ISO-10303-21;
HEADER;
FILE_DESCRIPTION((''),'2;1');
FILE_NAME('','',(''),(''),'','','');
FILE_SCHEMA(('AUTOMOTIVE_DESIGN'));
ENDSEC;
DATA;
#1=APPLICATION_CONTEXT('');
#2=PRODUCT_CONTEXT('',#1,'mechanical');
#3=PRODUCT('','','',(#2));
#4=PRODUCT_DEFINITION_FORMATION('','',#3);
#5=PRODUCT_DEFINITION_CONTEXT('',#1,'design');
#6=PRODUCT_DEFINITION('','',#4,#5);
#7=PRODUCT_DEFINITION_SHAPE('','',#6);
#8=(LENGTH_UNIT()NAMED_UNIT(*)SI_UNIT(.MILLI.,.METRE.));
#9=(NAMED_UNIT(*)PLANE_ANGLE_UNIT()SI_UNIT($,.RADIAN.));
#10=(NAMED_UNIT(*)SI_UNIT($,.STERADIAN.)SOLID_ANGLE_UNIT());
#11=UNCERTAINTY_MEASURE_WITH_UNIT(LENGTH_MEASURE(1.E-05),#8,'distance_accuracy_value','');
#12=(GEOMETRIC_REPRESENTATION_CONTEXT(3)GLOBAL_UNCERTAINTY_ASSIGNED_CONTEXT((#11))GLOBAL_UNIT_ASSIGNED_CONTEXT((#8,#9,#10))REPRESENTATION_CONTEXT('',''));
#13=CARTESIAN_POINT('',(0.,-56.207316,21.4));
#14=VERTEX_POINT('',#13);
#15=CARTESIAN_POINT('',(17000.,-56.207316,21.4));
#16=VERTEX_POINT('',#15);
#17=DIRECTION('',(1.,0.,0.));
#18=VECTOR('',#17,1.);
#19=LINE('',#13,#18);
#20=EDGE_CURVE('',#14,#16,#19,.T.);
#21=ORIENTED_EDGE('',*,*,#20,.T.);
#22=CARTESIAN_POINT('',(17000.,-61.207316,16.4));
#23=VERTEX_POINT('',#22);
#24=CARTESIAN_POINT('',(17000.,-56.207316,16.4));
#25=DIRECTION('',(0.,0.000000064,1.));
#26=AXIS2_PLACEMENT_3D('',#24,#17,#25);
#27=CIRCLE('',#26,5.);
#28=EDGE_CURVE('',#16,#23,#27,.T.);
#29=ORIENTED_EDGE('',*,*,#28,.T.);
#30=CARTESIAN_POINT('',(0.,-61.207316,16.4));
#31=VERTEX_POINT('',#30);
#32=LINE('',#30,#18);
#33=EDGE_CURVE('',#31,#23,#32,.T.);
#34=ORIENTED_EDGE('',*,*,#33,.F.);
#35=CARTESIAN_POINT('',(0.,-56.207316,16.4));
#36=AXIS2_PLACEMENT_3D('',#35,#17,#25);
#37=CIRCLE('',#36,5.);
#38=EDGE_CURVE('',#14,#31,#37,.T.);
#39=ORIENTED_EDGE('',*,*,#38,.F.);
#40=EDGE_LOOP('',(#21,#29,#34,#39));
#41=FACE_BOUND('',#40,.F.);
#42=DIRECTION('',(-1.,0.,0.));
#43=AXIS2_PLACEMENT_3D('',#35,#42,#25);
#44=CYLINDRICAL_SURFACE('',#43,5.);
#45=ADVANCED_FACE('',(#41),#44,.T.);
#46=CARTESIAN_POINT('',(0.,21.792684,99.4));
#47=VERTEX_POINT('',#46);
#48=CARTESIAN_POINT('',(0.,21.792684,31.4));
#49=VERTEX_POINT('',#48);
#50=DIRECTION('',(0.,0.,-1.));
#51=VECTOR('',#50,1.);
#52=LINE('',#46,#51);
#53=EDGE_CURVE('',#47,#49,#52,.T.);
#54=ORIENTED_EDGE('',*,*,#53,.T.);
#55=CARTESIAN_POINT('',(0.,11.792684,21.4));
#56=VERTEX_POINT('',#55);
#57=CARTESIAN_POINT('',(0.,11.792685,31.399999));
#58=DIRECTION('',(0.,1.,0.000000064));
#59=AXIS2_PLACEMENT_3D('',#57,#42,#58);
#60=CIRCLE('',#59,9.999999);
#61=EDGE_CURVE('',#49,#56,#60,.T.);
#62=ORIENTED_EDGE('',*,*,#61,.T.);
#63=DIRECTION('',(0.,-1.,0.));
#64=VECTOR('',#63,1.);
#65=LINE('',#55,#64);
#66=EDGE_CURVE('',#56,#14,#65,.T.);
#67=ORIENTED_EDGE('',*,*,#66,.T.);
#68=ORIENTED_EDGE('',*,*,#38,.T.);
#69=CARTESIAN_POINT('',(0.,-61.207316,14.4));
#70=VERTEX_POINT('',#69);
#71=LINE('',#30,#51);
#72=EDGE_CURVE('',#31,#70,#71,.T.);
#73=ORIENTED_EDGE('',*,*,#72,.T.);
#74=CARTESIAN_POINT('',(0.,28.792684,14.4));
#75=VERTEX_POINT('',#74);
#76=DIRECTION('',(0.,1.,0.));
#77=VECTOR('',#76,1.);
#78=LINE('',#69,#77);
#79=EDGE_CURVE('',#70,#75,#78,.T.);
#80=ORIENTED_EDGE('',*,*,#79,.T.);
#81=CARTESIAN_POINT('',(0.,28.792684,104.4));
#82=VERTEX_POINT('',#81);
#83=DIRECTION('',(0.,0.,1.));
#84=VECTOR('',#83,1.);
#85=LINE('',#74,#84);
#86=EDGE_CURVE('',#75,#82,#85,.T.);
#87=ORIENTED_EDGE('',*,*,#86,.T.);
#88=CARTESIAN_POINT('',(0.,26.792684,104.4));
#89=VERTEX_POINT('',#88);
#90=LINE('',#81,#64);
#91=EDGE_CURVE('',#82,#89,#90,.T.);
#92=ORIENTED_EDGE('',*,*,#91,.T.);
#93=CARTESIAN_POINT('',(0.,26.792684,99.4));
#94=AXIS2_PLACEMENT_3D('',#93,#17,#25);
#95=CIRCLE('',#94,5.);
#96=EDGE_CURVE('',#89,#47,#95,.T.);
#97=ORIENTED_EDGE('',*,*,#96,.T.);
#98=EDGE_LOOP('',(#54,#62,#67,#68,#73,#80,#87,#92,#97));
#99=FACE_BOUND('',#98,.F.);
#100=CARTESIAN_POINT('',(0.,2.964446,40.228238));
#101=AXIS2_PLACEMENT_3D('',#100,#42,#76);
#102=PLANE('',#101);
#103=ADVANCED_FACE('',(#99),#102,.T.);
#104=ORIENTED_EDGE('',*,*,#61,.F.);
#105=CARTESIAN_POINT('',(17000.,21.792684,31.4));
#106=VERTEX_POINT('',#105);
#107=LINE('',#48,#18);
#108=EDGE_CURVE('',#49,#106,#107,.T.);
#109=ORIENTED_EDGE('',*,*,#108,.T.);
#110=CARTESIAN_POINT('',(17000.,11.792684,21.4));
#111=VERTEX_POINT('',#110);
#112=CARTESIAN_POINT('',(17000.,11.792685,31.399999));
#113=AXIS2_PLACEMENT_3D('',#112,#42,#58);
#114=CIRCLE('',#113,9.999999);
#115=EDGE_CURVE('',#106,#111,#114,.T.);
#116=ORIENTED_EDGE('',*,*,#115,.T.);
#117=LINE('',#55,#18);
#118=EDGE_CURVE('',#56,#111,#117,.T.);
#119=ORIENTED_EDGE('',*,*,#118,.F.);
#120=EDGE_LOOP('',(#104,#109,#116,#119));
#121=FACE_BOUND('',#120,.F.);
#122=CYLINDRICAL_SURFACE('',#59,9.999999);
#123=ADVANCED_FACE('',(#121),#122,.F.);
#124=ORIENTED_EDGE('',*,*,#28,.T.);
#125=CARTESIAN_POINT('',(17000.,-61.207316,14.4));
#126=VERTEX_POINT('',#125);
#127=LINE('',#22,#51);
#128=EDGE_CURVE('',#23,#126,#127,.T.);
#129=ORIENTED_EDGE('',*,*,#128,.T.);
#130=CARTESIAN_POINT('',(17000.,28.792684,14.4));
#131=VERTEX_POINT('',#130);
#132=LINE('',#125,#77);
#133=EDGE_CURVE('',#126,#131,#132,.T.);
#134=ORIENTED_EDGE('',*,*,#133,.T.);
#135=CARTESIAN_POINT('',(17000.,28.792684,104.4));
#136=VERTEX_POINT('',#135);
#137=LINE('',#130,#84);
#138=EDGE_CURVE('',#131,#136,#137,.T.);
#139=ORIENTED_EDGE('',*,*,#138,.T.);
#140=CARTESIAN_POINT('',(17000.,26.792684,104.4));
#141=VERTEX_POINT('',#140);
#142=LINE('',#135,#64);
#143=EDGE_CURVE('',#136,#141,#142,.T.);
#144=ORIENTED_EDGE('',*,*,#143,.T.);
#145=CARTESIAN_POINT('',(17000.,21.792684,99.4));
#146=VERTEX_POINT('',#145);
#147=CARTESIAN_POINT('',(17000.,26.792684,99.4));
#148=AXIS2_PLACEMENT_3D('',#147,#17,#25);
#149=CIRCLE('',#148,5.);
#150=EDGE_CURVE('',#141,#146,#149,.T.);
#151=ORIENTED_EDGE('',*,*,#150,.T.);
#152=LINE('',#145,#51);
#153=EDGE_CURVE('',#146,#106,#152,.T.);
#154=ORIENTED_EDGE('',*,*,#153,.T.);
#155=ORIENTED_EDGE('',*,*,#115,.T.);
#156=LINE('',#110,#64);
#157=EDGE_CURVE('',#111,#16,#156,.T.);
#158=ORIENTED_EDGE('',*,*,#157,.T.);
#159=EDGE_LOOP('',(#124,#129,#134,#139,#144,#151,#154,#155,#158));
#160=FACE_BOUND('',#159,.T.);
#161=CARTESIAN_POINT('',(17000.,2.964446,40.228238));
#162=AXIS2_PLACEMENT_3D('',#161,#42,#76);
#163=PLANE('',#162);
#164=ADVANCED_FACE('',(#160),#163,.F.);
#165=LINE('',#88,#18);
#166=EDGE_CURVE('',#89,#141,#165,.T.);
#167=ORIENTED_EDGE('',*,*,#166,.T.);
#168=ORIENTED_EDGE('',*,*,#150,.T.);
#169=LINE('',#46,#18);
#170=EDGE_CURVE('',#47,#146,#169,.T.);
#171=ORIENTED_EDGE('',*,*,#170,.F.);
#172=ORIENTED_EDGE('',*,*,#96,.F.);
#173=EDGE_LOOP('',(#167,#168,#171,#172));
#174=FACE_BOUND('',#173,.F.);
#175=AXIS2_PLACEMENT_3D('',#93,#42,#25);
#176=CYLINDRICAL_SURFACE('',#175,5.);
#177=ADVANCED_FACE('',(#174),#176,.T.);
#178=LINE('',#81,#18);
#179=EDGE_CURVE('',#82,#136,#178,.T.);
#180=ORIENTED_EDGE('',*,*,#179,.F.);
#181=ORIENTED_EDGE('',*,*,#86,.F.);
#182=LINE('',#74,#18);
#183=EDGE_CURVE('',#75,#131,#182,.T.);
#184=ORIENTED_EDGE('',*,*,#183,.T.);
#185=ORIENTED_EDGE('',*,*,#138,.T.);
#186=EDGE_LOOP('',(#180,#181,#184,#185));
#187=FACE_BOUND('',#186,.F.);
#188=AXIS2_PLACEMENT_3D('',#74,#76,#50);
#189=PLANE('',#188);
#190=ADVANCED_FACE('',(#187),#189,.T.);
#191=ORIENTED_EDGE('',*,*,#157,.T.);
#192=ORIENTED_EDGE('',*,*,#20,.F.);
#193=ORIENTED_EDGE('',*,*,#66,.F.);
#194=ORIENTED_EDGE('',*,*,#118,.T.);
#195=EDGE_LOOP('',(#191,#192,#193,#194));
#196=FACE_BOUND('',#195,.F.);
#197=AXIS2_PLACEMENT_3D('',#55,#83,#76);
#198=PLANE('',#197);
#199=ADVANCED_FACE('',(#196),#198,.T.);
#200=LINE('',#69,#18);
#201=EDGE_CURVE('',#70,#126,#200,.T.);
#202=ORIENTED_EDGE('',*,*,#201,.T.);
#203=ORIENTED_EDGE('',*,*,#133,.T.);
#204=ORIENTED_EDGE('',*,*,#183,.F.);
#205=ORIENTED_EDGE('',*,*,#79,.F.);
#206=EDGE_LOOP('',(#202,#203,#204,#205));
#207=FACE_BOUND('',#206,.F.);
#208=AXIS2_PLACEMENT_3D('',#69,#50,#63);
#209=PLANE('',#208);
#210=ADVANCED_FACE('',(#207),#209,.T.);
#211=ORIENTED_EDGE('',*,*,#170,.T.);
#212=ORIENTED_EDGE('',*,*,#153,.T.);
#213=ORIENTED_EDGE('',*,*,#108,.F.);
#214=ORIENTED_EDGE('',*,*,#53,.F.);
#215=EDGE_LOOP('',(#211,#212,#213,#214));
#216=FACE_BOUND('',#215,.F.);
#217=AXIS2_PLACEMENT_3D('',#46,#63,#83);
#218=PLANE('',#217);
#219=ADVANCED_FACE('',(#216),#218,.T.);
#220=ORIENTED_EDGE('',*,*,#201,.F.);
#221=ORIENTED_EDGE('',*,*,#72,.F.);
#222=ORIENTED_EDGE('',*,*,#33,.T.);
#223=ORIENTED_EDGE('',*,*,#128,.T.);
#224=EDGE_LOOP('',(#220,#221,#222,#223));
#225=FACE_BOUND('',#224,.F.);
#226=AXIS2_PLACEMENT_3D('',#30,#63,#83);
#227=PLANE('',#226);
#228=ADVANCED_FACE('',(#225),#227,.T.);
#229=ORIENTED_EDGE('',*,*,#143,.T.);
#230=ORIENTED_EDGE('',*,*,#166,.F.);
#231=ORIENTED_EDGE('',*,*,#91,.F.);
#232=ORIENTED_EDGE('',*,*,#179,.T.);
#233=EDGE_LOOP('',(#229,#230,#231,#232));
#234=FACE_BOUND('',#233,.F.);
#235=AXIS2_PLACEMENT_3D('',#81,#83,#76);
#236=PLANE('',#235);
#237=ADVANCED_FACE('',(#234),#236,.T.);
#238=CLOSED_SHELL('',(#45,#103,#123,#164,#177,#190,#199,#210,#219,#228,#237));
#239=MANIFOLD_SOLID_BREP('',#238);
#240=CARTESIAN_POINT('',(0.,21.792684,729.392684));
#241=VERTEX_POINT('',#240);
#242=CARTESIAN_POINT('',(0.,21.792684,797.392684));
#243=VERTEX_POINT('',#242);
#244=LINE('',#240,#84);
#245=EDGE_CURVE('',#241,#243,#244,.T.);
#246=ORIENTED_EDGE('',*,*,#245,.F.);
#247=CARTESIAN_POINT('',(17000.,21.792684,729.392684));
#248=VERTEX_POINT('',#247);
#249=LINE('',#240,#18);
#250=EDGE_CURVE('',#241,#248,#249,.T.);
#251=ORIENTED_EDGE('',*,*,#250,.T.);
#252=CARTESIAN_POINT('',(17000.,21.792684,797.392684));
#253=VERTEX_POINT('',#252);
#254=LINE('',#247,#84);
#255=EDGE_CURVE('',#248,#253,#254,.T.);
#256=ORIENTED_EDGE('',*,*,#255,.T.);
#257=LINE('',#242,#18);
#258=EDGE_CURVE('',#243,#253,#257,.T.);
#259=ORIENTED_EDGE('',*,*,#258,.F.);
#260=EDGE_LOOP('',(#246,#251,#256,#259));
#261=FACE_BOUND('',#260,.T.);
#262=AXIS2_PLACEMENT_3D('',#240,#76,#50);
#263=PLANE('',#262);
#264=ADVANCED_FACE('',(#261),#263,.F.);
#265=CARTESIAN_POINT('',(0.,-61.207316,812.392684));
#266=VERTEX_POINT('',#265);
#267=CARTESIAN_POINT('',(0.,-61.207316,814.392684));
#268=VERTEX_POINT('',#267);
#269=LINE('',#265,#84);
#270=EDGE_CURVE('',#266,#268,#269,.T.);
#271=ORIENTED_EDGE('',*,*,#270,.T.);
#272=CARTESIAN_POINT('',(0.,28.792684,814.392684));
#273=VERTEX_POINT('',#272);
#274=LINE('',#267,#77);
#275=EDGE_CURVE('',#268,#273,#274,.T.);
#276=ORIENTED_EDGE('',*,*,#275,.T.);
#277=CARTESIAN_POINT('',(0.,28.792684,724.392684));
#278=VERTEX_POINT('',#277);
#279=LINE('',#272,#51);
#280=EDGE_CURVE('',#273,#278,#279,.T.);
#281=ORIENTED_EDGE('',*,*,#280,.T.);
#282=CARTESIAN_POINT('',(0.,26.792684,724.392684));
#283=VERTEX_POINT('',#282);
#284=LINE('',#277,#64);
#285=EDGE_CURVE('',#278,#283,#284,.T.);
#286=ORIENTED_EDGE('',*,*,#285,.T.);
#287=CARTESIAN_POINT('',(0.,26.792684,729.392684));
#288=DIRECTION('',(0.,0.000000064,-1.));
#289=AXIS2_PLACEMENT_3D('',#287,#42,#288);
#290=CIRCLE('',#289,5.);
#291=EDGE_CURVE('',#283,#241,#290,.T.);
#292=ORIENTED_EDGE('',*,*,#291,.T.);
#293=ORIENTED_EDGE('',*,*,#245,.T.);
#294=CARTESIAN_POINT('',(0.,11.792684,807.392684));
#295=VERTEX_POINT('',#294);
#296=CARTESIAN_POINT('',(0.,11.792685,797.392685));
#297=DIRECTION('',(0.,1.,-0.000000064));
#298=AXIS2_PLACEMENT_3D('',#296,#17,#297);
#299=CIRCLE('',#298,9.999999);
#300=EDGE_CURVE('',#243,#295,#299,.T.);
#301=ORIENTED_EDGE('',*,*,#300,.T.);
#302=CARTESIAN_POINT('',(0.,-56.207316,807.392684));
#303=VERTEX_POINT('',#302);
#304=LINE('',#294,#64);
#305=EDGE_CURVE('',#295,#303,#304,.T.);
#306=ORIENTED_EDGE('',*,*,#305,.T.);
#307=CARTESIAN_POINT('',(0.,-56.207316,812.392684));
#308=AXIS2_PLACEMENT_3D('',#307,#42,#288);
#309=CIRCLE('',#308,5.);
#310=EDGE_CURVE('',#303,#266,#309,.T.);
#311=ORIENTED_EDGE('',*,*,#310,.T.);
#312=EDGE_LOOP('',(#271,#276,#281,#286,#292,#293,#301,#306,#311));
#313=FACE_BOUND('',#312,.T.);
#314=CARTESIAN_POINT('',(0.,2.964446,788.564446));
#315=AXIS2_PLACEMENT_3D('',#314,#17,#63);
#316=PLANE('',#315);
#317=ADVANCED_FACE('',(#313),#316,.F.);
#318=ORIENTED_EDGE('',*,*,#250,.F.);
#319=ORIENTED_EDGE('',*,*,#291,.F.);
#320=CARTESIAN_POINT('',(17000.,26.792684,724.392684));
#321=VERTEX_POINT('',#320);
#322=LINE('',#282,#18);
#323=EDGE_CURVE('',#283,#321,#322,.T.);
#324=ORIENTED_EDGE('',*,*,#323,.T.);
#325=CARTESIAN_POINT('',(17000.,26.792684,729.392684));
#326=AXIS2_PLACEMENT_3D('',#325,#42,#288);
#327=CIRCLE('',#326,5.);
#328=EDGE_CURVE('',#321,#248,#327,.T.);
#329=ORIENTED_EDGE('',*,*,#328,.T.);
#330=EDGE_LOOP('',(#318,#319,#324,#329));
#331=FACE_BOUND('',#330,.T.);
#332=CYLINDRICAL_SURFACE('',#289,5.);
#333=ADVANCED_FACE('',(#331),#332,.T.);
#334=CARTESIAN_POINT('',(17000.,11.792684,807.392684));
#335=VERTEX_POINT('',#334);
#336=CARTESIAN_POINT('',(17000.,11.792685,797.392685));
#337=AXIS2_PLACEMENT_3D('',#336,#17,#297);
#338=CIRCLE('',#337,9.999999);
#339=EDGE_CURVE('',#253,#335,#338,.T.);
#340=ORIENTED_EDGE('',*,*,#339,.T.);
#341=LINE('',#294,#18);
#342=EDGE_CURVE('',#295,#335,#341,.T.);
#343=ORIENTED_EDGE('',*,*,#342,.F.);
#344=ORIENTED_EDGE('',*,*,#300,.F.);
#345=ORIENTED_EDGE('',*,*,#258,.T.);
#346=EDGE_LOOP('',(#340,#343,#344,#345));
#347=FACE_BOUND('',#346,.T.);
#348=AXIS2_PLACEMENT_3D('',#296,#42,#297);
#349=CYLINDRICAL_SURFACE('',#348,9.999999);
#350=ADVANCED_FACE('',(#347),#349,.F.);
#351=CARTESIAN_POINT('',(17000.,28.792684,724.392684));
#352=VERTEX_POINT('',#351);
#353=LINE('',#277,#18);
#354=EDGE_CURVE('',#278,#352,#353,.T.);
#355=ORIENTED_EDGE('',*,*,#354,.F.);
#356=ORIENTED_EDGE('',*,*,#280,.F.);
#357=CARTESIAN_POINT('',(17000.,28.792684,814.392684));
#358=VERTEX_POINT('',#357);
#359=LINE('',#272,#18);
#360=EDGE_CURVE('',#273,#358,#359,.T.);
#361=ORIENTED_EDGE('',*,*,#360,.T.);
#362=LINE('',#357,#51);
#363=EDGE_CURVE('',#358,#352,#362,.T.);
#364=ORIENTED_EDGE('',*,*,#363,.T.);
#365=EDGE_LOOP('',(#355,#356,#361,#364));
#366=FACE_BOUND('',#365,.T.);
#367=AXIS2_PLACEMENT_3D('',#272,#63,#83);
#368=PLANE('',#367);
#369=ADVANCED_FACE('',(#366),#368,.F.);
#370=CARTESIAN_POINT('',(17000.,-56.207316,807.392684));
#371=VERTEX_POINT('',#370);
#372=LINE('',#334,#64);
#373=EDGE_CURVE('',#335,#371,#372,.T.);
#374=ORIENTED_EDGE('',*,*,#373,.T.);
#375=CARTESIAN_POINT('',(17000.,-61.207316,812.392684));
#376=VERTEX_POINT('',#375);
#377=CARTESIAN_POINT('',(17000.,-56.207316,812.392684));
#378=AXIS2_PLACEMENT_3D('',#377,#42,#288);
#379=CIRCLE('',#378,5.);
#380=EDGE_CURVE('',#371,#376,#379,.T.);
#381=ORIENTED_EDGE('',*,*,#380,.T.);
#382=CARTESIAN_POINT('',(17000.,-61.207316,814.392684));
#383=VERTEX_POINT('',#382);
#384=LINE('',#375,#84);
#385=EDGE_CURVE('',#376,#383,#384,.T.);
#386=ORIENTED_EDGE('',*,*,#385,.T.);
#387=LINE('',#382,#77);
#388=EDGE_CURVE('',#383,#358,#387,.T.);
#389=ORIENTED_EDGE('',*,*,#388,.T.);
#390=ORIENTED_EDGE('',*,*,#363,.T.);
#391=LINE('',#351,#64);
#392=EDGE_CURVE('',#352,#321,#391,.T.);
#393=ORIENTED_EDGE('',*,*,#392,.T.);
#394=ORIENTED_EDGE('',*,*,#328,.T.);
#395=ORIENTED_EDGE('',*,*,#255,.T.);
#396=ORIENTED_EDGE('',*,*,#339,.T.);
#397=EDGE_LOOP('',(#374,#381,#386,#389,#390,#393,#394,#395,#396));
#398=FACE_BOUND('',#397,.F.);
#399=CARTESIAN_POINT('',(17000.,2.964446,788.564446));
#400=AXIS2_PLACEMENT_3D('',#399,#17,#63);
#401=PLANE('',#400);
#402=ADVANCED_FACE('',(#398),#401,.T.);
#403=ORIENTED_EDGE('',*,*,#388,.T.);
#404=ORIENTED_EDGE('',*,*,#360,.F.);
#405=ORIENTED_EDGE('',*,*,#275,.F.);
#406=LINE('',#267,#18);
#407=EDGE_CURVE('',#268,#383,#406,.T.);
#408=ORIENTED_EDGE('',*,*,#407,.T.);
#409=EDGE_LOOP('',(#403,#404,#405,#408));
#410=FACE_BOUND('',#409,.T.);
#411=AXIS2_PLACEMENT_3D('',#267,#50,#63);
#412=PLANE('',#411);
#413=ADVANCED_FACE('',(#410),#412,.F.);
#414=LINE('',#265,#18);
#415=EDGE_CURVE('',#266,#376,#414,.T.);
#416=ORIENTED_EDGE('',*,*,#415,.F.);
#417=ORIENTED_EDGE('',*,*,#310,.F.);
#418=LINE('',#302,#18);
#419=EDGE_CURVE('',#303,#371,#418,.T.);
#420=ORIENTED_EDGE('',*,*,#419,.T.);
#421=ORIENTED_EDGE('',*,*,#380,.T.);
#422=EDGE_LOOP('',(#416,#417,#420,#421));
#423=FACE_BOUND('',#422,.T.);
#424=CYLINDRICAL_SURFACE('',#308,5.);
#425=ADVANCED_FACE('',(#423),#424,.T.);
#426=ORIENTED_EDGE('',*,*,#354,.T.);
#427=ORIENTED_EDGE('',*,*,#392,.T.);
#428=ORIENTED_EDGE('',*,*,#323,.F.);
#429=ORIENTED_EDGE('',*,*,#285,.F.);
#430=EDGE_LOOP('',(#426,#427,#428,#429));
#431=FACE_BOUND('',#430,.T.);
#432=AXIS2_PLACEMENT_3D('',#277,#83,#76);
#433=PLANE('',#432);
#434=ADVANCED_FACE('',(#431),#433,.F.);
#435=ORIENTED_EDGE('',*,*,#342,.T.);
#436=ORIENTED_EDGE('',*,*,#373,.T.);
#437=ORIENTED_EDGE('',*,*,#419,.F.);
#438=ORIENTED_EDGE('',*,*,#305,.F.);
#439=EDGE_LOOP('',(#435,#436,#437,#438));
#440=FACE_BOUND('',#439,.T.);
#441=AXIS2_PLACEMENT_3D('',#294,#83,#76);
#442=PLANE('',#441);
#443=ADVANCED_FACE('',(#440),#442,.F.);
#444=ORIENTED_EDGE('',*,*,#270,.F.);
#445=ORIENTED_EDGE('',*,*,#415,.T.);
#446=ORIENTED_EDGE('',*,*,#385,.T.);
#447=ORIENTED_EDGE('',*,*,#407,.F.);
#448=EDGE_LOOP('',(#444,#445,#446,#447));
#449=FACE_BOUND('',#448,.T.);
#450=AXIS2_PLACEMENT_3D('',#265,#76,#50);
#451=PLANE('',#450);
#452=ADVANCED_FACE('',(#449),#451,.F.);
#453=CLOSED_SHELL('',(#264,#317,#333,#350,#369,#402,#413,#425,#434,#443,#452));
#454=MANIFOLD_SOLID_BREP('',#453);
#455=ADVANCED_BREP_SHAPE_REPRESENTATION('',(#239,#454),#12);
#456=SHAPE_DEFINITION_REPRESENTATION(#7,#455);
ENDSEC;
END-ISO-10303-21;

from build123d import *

# Parameters (mm, degrees)
EXTRUDE017_DEPTH = 17000
EXTRUDE018_DEPTH = 17000


with BuildPart() as extrude017:
    # AngleSteel004 → Extrude017 (new body)
    with BuildSketch(Plane(origin=(0, 53.415282, 39.015282), x_dir=(0, 1, 0), z_dir=(-1, 0, 0))):
        with BuildLine():
            Line((-24.615282, 24.615282), (-24.615282, -65.384718))
            Line((-24.615282, -65.384718), (-22.615282, -65.384718))
            ThreePointArc((-22.615282, -65.384718), (-19.079748, -63.920252), (-17.615282, -60.384718))
            Line((-17.615282, -60.384718), (-17.615282, 7.615282))
            ThreePointArc((-17.615282, 7.615282), (-14.68635, 14.68635), (-7.615282, 17.615282))
            Line((-7.615282, 17.615282), (60.384718, 17.615282))
            ThreePointArc((60.384718, 17.615282), (63.920252, 19.079748), (65.384718, 22.615282))
            Line((65.384718, 22.615282), (65.384718, 24.615282))
            Line((65.384718, 24.615282), (-24.615282, 24.615282))
        make_face()
    extrude(amount=-EXTRUDE017_DEPTH)


with BuildPart() as fusion001:
    # Mirror → Extrude018 (new body)
    with BuildSketch(Plane(origin=(0, 53.415282, 789.777402), x_dir=(0, -1, 0), z_dir=(1, 0, 0))):
        with BuildLine():
            Line((24.615282, -24.615282), (24.615282, 65.384718))
            Line((24.615282, 65.384718), (22.615282, 65.384718))
            ThreePointArc((22.615282, 65.384718), (19.079748, 63.920252), (17.615282, 60.384718))
            Line((17.615282, 60.384718), (17.615282, -7.615282))
            ThreePointArc((17.615282, -7.615282), (14.68635, -14.68635), (7.615282, -17.615282))
            Line((7.615282, -17.615282), (-60.384718, -17.615282))
            ThreePointArc((-60.384718, -17.615282), (-63.920252, -19.079748), (-65.384718, -22.615282))
            Line((-65.384718, -22.615282), (-65.384718, -24.615282))
            Line((-65.384718, -24.615282), (24.615282, -24.615282))
        make_face()
    extrude(amount=EXTRUDE018_DEPTH)

    # Fusion001: union Extrude017
    add(extrude017.part)


with BuildPart() as fusion_mirrored:
    # Mirror001: instance of Fusion001
    add(fusion001.part.mirror(Plane(origin=(0, 28.796342, 514.396342), x_dir=(-1, 0, 0), z_dir=(0, -1, 0))))


with BuildPart() as fusion_mirrored_1:
    # Mirror001 placement: moved
    add(fusion_mirrored.part.moved(Location((0, -6, 0))))


solid = fusion_mirrored_1.part
